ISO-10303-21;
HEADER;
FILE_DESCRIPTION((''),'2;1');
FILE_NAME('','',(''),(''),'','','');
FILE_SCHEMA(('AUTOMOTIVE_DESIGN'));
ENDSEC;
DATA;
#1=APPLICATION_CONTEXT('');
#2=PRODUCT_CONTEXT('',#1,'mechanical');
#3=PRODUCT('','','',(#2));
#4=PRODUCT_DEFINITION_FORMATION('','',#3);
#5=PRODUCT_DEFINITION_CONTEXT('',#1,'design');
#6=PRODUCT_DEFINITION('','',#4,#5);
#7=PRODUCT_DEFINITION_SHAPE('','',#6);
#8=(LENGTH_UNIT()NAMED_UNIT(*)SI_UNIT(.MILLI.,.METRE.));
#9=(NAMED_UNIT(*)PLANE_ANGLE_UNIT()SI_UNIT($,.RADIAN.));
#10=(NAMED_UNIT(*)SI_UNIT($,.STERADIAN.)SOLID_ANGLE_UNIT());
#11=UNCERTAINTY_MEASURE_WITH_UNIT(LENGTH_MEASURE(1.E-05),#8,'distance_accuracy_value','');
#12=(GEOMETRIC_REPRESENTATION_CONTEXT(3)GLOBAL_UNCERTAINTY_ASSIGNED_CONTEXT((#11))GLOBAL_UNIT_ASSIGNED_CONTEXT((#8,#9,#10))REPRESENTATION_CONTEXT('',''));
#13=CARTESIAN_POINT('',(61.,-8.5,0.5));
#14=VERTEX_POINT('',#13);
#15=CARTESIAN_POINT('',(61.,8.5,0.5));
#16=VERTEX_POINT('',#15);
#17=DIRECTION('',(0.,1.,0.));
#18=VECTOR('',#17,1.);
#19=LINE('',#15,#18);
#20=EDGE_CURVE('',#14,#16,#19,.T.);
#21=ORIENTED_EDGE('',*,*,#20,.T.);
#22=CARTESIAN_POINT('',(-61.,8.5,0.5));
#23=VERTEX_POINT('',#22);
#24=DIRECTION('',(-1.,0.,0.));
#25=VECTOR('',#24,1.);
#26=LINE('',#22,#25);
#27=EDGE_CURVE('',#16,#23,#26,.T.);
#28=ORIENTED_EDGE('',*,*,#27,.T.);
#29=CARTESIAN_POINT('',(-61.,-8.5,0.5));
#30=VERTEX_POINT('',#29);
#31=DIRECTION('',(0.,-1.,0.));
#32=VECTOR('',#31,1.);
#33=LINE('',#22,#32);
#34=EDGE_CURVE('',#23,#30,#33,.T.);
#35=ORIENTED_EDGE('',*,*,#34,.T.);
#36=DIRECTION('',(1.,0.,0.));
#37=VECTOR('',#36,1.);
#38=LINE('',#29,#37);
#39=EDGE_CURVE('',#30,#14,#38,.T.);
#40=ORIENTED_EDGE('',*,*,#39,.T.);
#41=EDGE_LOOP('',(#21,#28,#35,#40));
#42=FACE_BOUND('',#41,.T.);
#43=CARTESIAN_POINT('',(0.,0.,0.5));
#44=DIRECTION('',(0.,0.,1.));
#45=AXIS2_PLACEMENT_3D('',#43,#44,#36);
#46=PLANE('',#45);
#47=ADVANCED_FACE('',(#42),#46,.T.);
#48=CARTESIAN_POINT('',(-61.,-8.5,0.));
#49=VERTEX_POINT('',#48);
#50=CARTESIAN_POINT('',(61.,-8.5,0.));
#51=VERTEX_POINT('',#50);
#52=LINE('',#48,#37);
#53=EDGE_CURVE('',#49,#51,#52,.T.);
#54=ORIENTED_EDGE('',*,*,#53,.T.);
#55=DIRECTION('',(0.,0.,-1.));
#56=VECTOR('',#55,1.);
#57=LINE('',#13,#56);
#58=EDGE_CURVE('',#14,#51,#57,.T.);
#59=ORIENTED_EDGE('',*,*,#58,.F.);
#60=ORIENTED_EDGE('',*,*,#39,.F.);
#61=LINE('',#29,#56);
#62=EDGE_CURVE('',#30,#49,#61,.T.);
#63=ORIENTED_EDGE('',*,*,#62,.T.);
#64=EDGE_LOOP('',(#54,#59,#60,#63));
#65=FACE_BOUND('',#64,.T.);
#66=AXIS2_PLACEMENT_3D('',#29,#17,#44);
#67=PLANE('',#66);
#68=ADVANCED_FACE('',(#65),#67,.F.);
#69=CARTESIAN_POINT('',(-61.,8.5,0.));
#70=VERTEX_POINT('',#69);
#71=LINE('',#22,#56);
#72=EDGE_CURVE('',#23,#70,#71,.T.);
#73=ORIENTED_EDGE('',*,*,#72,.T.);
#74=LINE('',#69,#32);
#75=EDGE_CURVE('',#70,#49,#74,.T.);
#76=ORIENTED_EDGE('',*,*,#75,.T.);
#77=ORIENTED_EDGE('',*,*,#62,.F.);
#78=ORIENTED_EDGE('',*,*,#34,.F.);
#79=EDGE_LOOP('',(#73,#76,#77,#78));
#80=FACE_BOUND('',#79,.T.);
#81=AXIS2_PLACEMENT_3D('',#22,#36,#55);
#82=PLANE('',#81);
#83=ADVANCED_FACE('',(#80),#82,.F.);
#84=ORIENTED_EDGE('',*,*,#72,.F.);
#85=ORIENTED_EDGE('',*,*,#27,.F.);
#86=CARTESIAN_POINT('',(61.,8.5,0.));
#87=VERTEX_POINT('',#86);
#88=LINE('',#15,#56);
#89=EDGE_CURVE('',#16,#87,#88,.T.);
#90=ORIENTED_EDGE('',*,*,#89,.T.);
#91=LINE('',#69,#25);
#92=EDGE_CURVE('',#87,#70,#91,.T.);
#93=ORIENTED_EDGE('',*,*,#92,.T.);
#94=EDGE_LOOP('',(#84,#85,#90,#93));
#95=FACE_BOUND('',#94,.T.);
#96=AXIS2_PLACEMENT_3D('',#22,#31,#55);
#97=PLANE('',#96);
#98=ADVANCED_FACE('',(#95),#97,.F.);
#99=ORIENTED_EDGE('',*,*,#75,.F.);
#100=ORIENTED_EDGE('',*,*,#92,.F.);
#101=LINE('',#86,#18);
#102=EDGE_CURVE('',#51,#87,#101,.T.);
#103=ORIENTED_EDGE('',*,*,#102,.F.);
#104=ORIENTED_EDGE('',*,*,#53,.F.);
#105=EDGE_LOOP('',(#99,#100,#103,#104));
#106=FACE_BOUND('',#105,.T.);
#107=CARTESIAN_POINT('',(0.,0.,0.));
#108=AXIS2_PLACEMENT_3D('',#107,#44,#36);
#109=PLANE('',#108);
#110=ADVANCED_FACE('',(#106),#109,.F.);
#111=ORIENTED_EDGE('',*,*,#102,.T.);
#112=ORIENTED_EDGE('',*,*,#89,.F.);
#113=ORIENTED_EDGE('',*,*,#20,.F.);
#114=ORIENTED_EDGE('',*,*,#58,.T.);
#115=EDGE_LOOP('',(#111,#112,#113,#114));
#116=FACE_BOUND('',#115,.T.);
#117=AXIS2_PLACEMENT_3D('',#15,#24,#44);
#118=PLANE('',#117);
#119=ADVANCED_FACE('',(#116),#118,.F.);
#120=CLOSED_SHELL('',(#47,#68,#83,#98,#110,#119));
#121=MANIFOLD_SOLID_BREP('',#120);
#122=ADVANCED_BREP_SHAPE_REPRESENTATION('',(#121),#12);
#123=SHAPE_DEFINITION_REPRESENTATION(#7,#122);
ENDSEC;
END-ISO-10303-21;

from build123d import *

# Parameters (mm, degrees)
SKETCH1_W           = 122
SKETCH1_H           = 17
BOSS_EXTRUDE1_DEPTH = 0.5


with BuildPart() as part:
    # Sketch1 → Boss-Extrude1 (new body)
    with BuildSketch(Plane.XY):
        Rectangle(SKETCH1_W, SKETCH1_H)
    extrude(amount=BOSS_EXTRUDE1_DEPTH)


solid = part.part
